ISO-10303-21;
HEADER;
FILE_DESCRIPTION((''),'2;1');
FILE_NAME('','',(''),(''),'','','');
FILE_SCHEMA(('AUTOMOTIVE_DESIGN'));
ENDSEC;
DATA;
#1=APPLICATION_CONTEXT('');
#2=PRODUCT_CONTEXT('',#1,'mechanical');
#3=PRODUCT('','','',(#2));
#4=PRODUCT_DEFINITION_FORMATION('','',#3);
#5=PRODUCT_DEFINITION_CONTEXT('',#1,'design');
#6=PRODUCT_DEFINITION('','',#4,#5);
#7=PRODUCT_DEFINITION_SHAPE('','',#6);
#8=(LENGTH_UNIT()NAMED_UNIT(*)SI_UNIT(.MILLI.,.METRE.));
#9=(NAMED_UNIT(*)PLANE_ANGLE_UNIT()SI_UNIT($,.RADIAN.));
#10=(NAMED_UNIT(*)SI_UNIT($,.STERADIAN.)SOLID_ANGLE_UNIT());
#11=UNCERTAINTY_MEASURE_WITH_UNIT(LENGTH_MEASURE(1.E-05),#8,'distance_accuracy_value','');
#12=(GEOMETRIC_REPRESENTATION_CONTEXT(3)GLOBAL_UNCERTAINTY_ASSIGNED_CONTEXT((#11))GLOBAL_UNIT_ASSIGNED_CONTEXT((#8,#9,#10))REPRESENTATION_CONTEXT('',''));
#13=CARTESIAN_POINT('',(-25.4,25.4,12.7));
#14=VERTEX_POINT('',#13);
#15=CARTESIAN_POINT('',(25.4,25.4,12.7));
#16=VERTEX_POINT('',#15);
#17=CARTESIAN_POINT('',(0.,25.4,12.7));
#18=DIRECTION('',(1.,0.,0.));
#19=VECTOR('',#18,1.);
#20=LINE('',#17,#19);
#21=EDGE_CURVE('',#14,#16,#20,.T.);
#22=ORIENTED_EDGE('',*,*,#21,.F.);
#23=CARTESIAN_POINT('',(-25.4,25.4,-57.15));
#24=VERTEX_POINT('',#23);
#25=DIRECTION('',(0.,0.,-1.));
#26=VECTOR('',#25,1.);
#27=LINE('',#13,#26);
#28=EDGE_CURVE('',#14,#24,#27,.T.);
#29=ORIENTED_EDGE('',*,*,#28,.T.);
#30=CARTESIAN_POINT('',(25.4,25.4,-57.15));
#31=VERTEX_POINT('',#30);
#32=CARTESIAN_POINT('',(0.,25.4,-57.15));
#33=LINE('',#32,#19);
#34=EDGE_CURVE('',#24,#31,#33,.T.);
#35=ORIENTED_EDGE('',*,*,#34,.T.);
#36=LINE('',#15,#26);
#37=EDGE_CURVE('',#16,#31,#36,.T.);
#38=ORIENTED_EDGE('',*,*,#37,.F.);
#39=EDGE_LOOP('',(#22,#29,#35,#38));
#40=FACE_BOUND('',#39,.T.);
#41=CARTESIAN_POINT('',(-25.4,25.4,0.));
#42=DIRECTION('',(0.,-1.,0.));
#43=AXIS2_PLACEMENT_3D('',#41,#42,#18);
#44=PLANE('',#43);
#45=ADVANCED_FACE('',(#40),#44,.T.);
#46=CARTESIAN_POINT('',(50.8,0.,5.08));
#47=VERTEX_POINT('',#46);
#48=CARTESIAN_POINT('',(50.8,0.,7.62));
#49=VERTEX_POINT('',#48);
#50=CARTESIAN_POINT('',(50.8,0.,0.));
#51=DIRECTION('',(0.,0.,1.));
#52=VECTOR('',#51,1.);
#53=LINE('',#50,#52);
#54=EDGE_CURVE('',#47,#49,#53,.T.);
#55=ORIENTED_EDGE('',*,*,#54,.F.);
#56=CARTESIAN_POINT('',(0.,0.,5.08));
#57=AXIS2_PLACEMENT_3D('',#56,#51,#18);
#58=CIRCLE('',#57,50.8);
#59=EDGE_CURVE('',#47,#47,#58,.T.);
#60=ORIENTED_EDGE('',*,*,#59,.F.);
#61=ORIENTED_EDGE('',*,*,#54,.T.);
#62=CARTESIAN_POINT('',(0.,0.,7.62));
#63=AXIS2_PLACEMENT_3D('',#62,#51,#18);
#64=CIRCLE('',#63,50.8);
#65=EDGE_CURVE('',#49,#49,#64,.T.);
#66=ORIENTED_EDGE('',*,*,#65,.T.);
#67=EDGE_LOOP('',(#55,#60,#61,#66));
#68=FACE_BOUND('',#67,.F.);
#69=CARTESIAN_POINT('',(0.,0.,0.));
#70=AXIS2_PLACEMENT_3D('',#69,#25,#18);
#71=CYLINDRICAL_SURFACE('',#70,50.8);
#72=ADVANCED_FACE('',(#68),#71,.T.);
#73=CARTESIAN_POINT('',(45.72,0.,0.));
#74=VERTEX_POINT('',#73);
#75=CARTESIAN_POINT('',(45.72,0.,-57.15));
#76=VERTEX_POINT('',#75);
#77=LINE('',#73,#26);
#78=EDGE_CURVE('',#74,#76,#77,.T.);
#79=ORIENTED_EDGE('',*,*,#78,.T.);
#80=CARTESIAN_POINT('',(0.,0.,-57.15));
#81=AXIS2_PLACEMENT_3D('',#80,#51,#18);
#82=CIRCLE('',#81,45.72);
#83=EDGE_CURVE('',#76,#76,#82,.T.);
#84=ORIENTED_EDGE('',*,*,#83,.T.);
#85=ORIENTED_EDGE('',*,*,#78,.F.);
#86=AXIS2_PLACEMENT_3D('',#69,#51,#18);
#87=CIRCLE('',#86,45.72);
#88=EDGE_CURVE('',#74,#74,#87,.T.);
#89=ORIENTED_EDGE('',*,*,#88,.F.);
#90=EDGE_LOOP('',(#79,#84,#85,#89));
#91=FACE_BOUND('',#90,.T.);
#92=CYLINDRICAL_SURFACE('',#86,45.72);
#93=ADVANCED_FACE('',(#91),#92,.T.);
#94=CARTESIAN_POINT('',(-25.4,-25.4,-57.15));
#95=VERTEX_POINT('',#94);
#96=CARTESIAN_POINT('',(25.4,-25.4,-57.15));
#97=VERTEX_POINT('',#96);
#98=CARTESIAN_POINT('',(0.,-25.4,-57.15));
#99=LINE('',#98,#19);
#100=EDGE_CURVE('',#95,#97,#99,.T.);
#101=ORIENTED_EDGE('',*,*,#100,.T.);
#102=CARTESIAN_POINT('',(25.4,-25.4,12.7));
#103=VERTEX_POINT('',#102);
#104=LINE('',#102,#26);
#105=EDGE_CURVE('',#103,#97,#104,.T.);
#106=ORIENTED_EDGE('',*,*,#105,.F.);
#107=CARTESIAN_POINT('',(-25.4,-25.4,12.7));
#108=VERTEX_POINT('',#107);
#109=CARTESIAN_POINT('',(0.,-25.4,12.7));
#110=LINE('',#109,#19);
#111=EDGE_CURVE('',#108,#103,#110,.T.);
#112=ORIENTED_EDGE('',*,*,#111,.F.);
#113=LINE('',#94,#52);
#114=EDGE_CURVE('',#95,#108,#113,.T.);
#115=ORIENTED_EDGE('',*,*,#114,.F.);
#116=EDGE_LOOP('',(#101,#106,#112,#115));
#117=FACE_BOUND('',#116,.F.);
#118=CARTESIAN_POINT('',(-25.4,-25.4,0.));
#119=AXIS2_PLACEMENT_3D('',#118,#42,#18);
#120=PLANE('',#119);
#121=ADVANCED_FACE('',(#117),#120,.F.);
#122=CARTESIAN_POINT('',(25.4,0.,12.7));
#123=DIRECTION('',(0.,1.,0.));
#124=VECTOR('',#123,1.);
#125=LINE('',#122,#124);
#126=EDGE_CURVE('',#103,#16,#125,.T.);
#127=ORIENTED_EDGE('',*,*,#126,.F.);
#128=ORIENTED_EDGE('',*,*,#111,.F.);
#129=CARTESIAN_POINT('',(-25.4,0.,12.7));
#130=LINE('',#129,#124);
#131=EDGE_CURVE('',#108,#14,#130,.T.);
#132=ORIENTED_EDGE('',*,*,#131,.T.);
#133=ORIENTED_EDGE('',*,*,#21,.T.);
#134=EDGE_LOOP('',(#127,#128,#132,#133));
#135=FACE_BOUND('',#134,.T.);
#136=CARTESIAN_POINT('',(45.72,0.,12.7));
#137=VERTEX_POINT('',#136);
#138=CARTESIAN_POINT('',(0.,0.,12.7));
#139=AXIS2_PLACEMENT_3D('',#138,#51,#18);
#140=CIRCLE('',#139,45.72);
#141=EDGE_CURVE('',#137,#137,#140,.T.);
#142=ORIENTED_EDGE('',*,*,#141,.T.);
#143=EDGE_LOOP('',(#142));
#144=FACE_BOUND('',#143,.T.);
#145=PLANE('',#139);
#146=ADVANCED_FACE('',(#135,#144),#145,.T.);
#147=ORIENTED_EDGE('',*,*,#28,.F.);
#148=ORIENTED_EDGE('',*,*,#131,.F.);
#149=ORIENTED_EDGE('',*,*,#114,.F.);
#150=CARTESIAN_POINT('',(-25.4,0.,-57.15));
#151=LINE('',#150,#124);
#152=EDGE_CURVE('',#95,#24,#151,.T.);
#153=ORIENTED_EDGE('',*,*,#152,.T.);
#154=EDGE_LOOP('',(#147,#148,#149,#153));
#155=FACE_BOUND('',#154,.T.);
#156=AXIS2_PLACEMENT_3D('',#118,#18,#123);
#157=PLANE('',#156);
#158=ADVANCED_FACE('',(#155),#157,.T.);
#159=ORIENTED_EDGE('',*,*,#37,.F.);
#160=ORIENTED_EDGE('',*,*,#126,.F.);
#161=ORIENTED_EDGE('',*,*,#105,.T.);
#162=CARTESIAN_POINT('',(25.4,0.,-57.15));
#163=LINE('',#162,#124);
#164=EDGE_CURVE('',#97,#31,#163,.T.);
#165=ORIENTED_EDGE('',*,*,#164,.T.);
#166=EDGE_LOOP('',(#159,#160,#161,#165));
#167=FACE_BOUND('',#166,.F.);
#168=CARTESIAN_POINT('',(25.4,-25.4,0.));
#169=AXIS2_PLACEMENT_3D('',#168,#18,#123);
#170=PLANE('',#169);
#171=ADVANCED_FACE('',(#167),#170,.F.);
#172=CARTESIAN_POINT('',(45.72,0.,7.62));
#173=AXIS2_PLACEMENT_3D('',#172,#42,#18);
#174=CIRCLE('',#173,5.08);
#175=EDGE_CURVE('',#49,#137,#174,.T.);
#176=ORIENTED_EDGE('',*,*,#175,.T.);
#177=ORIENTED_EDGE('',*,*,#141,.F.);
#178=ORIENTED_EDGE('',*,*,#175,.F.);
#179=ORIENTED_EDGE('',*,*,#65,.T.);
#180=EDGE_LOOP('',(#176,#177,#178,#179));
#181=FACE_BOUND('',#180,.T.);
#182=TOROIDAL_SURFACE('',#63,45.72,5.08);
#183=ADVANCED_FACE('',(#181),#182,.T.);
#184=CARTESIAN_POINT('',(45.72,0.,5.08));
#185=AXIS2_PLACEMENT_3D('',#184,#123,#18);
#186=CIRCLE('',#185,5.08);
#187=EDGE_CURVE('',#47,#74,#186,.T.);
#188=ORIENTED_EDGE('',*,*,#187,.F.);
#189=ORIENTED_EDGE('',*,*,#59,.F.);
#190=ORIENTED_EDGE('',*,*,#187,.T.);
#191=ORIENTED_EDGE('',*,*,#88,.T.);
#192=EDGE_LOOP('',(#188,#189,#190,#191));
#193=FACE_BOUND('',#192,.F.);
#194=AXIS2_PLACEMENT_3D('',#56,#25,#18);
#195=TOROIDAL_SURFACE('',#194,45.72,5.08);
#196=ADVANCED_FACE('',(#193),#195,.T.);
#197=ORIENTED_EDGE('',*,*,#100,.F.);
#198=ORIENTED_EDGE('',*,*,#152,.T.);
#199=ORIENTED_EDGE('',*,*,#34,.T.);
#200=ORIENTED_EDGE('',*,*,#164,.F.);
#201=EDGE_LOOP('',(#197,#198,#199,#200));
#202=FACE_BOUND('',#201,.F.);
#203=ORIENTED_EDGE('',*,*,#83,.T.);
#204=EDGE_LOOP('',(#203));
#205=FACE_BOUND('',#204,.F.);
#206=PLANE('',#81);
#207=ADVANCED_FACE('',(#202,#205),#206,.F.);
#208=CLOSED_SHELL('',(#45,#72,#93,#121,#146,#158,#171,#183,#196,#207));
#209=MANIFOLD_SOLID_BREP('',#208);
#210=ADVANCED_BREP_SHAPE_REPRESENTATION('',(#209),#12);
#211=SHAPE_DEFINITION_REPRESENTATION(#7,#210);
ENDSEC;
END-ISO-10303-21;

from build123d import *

# Parameters (mm, degrees)
F0_R     = 50.8
F0_W     = 50.8
F0_H     = 50.8
F1_DEPTH = 12.7
F2_R     = 5.08
F3_DEPTH = 57.15


with BuildPart() as f1:
    # F0 (on Top) → F1 (new body)
    with BuildSketch(Plane.XY):
        Circle(F0_R)
        Rectangle(F0_W, F0_H, mode=Mode.SUBTRACT)
    extrude(amount=F1_DEPTH)

    # F2
    f2_edges = [f1.edges().sort_by_distance(p)[0] for p in [
        (50.8, 0, 6.35),
        (-50.8, 0, 0),
        (-50.8, 0, 12.7),
    ]]
    fillet(f2_edges, radius=F2_R)

    # F3 (add): a face of the model
    f3_faces = [f1.faces().sort_by_distance(p)[0] for p in [
        (-44.4268431186, 0, 0),
    ]]
    extrude(f3_faces, amount=F3_DEPTH)


solid = f1.part
